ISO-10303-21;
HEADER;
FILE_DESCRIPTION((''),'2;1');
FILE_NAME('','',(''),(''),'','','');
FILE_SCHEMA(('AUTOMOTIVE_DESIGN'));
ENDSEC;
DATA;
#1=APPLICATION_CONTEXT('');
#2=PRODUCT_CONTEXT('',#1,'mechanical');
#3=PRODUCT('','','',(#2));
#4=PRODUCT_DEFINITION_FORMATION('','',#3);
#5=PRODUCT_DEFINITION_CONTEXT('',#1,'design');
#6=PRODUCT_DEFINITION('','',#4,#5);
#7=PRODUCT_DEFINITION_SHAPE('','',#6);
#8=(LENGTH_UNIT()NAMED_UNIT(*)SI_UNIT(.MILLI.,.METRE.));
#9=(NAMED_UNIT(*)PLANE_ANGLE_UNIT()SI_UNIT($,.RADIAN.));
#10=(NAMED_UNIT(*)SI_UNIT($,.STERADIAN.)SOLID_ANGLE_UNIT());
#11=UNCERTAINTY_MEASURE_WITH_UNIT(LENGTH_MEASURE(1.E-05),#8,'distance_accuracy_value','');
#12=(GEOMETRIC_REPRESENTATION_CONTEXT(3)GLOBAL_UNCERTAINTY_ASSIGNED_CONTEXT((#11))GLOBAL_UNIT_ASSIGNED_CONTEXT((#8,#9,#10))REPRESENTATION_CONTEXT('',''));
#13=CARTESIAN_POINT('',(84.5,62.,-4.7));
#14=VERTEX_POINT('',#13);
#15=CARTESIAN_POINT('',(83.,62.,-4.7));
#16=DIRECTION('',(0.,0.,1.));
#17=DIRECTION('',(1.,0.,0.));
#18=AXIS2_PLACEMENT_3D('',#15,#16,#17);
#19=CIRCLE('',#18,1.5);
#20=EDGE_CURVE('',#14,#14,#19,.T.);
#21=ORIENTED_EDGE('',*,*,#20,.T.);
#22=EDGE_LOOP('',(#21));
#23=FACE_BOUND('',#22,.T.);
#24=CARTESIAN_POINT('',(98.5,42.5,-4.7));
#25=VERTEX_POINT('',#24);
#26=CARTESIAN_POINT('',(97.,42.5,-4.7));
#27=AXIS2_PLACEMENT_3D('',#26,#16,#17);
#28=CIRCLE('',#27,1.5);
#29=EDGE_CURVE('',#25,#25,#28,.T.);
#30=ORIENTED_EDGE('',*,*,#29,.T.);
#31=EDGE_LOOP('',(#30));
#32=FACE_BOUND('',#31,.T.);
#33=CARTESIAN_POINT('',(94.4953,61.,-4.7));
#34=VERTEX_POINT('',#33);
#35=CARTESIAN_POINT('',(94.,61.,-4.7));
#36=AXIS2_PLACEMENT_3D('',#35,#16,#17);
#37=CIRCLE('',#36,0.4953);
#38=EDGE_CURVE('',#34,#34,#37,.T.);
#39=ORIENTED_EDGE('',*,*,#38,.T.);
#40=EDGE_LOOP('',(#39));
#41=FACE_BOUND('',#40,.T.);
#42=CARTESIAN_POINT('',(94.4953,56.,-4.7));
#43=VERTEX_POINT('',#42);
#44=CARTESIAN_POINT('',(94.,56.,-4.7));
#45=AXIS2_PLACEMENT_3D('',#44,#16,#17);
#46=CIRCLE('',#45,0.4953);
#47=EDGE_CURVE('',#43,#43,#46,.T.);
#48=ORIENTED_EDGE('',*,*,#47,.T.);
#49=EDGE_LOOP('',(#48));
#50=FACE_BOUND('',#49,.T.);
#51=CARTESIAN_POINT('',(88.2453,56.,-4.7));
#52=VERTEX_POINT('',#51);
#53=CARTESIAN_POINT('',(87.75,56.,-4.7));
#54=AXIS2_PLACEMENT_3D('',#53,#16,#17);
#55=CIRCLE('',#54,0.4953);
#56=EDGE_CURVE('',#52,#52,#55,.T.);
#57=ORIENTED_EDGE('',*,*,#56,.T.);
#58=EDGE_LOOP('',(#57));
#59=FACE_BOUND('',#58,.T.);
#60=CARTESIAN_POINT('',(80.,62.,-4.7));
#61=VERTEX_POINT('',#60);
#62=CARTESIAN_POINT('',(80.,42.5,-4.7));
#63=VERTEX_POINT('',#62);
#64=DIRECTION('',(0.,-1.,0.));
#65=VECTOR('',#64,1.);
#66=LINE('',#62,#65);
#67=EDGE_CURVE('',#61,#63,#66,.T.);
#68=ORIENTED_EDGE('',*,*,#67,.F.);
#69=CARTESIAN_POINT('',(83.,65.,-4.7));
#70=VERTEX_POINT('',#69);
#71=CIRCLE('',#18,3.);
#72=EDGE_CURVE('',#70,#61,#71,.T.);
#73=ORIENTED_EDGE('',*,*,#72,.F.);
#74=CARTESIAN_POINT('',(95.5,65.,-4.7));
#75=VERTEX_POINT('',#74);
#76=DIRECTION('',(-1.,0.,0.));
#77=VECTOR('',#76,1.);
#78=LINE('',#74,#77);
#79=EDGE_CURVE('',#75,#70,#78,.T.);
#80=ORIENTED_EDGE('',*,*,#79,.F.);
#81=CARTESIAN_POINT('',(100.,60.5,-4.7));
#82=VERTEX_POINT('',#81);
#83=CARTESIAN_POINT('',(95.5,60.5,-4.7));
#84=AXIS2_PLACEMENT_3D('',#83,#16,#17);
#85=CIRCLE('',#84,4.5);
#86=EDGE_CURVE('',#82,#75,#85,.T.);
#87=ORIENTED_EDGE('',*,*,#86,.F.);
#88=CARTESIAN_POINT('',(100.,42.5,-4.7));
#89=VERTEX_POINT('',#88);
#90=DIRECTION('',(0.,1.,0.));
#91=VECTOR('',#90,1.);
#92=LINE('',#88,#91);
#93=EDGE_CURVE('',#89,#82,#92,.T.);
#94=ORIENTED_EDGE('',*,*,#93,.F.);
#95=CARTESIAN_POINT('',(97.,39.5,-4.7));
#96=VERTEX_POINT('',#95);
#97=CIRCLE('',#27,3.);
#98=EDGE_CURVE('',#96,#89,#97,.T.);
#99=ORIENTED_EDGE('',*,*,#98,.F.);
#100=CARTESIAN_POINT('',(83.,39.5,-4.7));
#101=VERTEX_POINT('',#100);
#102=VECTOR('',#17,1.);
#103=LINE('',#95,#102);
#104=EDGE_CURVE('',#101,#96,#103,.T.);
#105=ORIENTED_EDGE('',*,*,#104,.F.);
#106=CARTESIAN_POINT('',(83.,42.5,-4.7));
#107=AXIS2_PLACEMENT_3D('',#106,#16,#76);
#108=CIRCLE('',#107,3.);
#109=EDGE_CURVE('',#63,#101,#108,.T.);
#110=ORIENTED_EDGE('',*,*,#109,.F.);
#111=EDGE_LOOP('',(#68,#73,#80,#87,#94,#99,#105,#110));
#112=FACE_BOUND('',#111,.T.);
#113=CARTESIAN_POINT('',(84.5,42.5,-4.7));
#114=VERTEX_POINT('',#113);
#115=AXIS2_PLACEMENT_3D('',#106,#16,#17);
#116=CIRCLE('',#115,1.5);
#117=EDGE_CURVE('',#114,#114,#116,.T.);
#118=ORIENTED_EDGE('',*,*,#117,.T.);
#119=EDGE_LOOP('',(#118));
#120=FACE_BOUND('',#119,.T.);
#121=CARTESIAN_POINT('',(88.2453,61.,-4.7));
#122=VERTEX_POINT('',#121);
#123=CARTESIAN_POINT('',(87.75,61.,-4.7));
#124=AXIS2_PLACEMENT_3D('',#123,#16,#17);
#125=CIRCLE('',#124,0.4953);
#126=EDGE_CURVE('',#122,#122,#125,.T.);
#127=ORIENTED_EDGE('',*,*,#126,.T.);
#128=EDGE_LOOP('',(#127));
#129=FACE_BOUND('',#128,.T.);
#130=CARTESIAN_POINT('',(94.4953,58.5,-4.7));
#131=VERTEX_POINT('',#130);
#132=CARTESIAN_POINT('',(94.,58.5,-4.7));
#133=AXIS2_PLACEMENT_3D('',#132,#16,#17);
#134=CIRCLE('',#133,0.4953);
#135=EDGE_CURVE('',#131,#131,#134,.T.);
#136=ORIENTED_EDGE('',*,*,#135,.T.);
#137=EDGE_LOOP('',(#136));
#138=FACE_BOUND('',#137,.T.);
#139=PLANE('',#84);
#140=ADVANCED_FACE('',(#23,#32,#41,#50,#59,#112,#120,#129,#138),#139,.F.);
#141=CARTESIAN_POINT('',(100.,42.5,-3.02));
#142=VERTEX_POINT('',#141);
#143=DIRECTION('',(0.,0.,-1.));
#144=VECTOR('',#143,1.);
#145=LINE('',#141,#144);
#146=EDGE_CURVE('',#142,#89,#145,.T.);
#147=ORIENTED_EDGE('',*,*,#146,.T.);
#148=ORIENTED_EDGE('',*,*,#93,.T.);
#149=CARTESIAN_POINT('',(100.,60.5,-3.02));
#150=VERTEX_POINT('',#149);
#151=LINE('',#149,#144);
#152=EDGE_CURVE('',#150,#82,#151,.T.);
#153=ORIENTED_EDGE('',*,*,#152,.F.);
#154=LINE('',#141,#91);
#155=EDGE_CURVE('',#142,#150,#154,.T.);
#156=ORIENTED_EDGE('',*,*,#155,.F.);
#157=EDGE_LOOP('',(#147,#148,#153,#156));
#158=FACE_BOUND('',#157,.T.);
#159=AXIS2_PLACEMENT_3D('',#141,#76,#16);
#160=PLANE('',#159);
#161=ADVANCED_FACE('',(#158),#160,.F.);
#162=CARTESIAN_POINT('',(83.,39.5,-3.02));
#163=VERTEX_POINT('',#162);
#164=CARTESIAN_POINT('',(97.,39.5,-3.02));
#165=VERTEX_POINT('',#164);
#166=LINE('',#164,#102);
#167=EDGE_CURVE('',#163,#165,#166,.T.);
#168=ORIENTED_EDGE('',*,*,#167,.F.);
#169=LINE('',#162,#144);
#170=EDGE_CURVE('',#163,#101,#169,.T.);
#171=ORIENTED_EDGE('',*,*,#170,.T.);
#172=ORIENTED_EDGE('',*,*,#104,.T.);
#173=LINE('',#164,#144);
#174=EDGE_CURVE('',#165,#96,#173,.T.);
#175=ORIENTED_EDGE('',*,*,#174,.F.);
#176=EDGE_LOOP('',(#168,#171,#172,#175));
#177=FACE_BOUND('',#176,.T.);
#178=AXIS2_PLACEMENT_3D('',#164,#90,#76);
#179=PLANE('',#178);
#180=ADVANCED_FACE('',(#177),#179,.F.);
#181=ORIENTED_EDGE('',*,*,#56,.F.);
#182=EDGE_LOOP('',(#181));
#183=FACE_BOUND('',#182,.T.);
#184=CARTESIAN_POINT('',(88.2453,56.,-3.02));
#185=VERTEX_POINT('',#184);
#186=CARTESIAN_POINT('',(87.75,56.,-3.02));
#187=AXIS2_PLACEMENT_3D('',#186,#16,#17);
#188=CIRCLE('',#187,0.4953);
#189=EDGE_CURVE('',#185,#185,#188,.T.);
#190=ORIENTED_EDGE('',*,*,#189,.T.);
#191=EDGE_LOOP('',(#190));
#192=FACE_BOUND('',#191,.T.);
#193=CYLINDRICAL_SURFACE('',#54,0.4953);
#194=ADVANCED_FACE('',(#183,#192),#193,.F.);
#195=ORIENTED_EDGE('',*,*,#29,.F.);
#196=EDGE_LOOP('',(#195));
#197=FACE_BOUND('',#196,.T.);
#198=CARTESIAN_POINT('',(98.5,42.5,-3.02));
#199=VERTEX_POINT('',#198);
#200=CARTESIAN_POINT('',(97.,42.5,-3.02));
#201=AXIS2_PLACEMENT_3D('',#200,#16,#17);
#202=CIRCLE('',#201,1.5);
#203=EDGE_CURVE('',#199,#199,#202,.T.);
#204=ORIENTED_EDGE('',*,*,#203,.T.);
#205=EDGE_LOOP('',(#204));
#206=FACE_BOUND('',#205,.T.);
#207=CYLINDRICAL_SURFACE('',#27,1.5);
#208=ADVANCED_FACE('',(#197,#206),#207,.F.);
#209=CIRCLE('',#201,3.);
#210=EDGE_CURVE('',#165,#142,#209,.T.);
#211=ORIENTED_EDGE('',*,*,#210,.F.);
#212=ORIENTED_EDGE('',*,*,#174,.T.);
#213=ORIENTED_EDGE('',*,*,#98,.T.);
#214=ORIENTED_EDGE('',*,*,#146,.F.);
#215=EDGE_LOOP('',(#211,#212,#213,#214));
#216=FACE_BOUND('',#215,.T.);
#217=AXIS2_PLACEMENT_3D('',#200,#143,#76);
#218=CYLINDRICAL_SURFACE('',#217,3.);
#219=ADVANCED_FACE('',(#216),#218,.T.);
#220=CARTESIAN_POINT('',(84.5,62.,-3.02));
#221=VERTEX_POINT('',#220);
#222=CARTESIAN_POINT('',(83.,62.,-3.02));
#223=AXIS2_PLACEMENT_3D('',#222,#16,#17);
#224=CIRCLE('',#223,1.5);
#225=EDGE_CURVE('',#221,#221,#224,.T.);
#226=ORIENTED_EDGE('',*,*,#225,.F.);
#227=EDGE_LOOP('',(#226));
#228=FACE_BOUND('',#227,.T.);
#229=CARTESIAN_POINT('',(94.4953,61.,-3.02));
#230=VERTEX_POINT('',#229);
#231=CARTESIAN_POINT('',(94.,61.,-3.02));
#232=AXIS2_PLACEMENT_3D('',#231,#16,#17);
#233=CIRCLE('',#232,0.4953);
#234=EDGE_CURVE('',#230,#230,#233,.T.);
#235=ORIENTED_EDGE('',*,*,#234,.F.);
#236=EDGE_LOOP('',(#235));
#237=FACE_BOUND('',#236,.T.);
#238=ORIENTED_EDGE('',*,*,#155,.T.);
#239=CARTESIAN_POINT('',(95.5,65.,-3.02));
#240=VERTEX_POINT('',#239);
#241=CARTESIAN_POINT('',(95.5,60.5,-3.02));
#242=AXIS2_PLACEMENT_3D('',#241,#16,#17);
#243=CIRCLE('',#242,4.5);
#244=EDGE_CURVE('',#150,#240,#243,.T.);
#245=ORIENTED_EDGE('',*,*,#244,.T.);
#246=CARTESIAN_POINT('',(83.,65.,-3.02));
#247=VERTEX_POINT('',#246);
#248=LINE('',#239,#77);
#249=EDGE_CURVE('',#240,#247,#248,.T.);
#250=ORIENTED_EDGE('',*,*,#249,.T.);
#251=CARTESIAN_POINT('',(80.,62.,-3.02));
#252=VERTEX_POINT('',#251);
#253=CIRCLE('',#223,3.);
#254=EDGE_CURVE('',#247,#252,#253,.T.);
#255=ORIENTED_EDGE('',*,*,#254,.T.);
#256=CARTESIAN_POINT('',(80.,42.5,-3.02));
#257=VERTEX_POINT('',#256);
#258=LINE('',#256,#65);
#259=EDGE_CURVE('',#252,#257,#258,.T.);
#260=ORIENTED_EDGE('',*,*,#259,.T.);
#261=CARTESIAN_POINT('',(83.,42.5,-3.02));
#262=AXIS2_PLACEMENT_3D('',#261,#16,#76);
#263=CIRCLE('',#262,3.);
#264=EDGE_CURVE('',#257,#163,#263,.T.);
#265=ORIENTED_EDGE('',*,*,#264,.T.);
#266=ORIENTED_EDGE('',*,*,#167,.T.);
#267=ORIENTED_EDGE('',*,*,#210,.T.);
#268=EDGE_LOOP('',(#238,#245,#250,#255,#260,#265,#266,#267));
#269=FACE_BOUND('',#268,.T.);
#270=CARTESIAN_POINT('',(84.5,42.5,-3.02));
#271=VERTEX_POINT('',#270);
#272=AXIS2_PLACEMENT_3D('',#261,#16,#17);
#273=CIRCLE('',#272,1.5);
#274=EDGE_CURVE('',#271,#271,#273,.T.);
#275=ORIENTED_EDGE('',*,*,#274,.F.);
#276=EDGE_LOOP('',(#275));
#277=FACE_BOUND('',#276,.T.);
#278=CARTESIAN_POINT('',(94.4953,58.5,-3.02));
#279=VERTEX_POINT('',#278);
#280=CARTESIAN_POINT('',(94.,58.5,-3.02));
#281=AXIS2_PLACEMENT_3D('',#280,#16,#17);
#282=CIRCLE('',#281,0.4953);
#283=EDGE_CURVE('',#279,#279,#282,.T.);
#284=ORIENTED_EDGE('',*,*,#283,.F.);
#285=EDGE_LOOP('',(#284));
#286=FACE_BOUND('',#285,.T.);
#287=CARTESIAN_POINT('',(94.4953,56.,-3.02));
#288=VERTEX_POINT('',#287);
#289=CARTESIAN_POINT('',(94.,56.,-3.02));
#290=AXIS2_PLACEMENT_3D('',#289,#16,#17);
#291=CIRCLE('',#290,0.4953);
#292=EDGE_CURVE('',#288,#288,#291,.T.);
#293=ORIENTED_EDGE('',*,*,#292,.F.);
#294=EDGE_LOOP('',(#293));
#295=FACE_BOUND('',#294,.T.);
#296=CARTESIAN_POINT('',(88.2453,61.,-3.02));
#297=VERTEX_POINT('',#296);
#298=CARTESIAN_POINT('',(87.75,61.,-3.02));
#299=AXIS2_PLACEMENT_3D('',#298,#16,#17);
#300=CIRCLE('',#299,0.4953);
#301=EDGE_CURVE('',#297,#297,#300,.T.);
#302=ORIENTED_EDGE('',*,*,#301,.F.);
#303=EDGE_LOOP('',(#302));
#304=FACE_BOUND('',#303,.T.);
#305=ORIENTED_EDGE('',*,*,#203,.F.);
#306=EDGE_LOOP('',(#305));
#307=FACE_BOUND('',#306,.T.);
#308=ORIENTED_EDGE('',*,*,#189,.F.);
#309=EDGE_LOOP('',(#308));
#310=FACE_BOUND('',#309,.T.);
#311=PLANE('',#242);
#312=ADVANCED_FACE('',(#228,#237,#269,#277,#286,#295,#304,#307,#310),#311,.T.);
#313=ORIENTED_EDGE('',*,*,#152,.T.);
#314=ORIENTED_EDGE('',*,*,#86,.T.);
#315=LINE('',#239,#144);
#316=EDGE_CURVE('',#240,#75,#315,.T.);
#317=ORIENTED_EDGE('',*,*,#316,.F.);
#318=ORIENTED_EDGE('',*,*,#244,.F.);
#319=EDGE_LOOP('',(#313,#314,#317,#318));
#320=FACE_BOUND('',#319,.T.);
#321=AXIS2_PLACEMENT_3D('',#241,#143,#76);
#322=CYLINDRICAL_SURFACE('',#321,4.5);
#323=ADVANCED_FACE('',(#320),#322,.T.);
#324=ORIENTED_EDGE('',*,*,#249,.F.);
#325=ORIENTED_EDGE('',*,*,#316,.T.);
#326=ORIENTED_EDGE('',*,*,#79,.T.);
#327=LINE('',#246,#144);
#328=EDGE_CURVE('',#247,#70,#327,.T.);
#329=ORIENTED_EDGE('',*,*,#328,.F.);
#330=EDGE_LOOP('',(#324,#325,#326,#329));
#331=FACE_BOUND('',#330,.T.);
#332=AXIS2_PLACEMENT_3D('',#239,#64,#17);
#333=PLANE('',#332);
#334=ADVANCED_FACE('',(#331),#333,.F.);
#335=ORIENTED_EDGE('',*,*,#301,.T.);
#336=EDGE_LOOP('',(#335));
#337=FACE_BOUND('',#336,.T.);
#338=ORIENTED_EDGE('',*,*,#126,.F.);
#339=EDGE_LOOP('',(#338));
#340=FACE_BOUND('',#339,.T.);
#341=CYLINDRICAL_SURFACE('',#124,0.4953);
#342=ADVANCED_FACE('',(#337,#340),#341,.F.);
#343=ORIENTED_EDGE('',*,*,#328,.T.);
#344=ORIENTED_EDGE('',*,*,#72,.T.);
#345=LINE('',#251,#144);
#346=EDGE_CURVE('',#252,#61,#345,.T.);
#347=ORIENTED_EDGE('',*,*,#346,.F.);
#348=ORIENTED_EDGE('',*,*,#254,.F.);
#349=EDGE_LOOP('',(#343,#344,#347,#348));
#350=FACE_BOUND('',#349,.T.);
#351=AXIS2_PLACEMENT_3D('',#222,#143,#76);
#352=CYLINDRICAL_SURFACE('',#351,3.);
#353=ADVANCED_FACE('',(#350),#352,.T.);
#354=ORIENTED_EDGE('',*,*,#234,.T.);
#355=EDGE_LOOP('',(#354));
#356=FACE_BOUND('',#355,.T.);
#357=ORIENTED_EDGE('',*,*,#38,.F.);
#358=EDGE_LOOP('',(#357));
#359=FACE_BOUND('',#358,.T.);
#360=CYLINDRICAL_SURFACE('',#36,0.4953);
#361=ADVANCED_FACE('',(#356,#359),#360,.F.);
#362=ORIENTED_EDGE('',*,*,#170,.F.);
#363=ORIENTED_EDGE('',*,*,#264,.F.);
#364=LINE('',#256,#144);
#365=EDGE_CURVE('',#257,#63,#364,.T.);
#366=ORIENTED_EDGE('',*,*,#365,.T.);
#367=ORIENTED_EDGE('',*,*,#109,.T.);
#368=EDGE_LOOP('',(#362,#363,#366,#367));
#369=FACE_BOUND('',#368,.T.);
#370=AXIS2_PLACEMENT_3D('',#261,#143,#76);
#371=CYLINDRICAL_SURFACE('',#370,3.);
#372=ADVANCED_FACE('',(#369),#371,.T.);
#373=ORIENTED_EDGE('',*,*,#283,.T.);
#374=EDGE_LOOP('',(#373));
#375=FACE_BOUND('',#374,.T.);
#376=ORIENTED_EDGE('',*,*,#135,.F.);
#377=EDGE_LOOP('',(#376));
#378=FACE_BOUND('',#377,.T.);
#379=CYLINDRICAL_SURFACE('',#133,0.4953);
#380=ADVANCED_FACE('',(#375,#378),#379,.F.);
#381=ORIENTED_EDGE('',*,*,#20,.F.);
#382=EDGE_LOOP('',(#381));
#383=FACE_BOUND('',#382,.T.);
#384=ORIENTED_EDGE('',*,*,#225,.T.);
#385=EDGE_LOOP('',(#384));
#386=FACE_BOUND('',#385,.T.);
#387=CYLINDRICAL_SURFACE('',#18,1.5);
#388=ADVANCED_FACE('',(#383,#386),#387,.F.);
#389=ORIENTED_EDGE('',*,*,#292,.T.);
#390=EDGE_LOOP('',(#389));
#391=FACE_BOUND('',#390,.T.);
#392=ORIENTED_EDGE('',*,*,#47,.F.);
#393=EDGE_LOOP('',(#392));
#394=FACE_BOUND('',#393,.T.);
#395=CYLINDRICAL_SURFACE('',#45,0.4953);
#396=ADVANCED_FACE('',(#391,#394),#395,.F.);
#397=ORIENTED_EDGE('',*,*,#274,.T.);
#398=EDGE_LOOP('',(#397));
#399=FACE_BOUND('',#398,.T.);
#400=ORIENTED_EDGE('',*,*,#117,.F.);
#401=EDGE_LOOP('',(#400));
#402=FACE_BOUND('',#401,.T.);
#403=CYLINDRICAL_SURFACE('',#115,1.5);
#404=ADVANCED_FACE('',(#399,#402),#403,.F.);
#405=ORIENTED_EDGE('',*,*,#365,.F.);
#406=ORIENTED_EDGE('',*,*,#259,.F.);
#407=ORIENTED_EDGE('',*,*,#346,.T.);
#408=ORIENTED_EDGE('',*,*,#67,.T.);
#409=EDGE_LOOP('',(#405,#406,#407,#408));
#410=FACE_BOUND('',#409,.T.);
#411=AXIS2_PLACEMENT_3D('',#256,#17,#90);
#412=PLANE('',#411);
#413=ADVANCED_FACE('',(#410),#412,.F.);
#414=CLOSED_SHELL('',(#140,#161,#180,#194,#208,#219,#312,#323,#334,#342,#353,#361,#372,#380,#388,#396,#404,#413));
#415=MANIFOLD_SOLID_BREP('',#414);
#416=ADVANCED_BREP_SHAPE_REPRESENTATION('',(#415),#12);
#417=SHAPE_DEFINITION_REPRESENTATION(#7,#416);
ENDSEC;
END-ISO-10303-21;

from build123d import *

# Parameters (mm, degrees)
BOARD_DEPTH        = 1.68
SKETCH2_R          = 1.5
SKETCH2_R_2        = 0.4953
PLATED_HOLES_DEPTH = 5.7


with BuildPart() as part:
    # Sketch1 → BOARD (new body)
    with BuildSketch(Plane.XY.offset(-4.7)):
        with BuildLine():
            Line((100, 42.5), (100, 60.5))
            ThreePointArc((100, 60.5), (98.681980515, 63.681980515), (95.5, 65))
            Line((95.5, 65), (83, 65))
            ThreePointArc((83, 65), (80.878679656, 64.121320344), (80, 62))
            Line((80, 62), (80, 42.5))
            ThreePointArc((80, 42.5), (80.878679656, 40.378679656), (83, 39.5))
            Line((83, 39.5), (97, 39.5))
            ThreePointArc((97, 39.5), (99.121320344, 40.378679656), (100, 42.5))
        make_face()
    extrude(amount=BOARD_DEPTH)

    # Sketch2 → PLATED HOLES (cut, through all)
    with BuildSketch(Plane.XY):
        with Locations((83, 42.5)):
            Circle(SKETCH2_R)
        with Locations((97, 42.5)):
            Circle(SKETCH2_R)
        with Locations((97, 35.5)):
            Circle(SKETCH2_R)
        with Locations((83, 62)):
            Circle(SKETCH2_R)
        with Locations((87.749999989, 55.999999989)):
            Circle(SKETCH2_R_2)
        with Locations((87.749999989, 60.999999996)):
            Circle(SKETCH2_R_2)
        with Locations((94.000000011, 58.499999992)):
            Circle(SKETCH2_R_2)
        with Locations((94.000000011, 55.999999989)):
            Circle(SKETCH2_R_2)
        with Locations((94.000000011, 60.999999996)):
            Circle(SKETCH2_R_2)
    extrude(amount=-PLATED_HOLES_DEPTH, mode=Mode.SUBTRACT)


solid = part.part
